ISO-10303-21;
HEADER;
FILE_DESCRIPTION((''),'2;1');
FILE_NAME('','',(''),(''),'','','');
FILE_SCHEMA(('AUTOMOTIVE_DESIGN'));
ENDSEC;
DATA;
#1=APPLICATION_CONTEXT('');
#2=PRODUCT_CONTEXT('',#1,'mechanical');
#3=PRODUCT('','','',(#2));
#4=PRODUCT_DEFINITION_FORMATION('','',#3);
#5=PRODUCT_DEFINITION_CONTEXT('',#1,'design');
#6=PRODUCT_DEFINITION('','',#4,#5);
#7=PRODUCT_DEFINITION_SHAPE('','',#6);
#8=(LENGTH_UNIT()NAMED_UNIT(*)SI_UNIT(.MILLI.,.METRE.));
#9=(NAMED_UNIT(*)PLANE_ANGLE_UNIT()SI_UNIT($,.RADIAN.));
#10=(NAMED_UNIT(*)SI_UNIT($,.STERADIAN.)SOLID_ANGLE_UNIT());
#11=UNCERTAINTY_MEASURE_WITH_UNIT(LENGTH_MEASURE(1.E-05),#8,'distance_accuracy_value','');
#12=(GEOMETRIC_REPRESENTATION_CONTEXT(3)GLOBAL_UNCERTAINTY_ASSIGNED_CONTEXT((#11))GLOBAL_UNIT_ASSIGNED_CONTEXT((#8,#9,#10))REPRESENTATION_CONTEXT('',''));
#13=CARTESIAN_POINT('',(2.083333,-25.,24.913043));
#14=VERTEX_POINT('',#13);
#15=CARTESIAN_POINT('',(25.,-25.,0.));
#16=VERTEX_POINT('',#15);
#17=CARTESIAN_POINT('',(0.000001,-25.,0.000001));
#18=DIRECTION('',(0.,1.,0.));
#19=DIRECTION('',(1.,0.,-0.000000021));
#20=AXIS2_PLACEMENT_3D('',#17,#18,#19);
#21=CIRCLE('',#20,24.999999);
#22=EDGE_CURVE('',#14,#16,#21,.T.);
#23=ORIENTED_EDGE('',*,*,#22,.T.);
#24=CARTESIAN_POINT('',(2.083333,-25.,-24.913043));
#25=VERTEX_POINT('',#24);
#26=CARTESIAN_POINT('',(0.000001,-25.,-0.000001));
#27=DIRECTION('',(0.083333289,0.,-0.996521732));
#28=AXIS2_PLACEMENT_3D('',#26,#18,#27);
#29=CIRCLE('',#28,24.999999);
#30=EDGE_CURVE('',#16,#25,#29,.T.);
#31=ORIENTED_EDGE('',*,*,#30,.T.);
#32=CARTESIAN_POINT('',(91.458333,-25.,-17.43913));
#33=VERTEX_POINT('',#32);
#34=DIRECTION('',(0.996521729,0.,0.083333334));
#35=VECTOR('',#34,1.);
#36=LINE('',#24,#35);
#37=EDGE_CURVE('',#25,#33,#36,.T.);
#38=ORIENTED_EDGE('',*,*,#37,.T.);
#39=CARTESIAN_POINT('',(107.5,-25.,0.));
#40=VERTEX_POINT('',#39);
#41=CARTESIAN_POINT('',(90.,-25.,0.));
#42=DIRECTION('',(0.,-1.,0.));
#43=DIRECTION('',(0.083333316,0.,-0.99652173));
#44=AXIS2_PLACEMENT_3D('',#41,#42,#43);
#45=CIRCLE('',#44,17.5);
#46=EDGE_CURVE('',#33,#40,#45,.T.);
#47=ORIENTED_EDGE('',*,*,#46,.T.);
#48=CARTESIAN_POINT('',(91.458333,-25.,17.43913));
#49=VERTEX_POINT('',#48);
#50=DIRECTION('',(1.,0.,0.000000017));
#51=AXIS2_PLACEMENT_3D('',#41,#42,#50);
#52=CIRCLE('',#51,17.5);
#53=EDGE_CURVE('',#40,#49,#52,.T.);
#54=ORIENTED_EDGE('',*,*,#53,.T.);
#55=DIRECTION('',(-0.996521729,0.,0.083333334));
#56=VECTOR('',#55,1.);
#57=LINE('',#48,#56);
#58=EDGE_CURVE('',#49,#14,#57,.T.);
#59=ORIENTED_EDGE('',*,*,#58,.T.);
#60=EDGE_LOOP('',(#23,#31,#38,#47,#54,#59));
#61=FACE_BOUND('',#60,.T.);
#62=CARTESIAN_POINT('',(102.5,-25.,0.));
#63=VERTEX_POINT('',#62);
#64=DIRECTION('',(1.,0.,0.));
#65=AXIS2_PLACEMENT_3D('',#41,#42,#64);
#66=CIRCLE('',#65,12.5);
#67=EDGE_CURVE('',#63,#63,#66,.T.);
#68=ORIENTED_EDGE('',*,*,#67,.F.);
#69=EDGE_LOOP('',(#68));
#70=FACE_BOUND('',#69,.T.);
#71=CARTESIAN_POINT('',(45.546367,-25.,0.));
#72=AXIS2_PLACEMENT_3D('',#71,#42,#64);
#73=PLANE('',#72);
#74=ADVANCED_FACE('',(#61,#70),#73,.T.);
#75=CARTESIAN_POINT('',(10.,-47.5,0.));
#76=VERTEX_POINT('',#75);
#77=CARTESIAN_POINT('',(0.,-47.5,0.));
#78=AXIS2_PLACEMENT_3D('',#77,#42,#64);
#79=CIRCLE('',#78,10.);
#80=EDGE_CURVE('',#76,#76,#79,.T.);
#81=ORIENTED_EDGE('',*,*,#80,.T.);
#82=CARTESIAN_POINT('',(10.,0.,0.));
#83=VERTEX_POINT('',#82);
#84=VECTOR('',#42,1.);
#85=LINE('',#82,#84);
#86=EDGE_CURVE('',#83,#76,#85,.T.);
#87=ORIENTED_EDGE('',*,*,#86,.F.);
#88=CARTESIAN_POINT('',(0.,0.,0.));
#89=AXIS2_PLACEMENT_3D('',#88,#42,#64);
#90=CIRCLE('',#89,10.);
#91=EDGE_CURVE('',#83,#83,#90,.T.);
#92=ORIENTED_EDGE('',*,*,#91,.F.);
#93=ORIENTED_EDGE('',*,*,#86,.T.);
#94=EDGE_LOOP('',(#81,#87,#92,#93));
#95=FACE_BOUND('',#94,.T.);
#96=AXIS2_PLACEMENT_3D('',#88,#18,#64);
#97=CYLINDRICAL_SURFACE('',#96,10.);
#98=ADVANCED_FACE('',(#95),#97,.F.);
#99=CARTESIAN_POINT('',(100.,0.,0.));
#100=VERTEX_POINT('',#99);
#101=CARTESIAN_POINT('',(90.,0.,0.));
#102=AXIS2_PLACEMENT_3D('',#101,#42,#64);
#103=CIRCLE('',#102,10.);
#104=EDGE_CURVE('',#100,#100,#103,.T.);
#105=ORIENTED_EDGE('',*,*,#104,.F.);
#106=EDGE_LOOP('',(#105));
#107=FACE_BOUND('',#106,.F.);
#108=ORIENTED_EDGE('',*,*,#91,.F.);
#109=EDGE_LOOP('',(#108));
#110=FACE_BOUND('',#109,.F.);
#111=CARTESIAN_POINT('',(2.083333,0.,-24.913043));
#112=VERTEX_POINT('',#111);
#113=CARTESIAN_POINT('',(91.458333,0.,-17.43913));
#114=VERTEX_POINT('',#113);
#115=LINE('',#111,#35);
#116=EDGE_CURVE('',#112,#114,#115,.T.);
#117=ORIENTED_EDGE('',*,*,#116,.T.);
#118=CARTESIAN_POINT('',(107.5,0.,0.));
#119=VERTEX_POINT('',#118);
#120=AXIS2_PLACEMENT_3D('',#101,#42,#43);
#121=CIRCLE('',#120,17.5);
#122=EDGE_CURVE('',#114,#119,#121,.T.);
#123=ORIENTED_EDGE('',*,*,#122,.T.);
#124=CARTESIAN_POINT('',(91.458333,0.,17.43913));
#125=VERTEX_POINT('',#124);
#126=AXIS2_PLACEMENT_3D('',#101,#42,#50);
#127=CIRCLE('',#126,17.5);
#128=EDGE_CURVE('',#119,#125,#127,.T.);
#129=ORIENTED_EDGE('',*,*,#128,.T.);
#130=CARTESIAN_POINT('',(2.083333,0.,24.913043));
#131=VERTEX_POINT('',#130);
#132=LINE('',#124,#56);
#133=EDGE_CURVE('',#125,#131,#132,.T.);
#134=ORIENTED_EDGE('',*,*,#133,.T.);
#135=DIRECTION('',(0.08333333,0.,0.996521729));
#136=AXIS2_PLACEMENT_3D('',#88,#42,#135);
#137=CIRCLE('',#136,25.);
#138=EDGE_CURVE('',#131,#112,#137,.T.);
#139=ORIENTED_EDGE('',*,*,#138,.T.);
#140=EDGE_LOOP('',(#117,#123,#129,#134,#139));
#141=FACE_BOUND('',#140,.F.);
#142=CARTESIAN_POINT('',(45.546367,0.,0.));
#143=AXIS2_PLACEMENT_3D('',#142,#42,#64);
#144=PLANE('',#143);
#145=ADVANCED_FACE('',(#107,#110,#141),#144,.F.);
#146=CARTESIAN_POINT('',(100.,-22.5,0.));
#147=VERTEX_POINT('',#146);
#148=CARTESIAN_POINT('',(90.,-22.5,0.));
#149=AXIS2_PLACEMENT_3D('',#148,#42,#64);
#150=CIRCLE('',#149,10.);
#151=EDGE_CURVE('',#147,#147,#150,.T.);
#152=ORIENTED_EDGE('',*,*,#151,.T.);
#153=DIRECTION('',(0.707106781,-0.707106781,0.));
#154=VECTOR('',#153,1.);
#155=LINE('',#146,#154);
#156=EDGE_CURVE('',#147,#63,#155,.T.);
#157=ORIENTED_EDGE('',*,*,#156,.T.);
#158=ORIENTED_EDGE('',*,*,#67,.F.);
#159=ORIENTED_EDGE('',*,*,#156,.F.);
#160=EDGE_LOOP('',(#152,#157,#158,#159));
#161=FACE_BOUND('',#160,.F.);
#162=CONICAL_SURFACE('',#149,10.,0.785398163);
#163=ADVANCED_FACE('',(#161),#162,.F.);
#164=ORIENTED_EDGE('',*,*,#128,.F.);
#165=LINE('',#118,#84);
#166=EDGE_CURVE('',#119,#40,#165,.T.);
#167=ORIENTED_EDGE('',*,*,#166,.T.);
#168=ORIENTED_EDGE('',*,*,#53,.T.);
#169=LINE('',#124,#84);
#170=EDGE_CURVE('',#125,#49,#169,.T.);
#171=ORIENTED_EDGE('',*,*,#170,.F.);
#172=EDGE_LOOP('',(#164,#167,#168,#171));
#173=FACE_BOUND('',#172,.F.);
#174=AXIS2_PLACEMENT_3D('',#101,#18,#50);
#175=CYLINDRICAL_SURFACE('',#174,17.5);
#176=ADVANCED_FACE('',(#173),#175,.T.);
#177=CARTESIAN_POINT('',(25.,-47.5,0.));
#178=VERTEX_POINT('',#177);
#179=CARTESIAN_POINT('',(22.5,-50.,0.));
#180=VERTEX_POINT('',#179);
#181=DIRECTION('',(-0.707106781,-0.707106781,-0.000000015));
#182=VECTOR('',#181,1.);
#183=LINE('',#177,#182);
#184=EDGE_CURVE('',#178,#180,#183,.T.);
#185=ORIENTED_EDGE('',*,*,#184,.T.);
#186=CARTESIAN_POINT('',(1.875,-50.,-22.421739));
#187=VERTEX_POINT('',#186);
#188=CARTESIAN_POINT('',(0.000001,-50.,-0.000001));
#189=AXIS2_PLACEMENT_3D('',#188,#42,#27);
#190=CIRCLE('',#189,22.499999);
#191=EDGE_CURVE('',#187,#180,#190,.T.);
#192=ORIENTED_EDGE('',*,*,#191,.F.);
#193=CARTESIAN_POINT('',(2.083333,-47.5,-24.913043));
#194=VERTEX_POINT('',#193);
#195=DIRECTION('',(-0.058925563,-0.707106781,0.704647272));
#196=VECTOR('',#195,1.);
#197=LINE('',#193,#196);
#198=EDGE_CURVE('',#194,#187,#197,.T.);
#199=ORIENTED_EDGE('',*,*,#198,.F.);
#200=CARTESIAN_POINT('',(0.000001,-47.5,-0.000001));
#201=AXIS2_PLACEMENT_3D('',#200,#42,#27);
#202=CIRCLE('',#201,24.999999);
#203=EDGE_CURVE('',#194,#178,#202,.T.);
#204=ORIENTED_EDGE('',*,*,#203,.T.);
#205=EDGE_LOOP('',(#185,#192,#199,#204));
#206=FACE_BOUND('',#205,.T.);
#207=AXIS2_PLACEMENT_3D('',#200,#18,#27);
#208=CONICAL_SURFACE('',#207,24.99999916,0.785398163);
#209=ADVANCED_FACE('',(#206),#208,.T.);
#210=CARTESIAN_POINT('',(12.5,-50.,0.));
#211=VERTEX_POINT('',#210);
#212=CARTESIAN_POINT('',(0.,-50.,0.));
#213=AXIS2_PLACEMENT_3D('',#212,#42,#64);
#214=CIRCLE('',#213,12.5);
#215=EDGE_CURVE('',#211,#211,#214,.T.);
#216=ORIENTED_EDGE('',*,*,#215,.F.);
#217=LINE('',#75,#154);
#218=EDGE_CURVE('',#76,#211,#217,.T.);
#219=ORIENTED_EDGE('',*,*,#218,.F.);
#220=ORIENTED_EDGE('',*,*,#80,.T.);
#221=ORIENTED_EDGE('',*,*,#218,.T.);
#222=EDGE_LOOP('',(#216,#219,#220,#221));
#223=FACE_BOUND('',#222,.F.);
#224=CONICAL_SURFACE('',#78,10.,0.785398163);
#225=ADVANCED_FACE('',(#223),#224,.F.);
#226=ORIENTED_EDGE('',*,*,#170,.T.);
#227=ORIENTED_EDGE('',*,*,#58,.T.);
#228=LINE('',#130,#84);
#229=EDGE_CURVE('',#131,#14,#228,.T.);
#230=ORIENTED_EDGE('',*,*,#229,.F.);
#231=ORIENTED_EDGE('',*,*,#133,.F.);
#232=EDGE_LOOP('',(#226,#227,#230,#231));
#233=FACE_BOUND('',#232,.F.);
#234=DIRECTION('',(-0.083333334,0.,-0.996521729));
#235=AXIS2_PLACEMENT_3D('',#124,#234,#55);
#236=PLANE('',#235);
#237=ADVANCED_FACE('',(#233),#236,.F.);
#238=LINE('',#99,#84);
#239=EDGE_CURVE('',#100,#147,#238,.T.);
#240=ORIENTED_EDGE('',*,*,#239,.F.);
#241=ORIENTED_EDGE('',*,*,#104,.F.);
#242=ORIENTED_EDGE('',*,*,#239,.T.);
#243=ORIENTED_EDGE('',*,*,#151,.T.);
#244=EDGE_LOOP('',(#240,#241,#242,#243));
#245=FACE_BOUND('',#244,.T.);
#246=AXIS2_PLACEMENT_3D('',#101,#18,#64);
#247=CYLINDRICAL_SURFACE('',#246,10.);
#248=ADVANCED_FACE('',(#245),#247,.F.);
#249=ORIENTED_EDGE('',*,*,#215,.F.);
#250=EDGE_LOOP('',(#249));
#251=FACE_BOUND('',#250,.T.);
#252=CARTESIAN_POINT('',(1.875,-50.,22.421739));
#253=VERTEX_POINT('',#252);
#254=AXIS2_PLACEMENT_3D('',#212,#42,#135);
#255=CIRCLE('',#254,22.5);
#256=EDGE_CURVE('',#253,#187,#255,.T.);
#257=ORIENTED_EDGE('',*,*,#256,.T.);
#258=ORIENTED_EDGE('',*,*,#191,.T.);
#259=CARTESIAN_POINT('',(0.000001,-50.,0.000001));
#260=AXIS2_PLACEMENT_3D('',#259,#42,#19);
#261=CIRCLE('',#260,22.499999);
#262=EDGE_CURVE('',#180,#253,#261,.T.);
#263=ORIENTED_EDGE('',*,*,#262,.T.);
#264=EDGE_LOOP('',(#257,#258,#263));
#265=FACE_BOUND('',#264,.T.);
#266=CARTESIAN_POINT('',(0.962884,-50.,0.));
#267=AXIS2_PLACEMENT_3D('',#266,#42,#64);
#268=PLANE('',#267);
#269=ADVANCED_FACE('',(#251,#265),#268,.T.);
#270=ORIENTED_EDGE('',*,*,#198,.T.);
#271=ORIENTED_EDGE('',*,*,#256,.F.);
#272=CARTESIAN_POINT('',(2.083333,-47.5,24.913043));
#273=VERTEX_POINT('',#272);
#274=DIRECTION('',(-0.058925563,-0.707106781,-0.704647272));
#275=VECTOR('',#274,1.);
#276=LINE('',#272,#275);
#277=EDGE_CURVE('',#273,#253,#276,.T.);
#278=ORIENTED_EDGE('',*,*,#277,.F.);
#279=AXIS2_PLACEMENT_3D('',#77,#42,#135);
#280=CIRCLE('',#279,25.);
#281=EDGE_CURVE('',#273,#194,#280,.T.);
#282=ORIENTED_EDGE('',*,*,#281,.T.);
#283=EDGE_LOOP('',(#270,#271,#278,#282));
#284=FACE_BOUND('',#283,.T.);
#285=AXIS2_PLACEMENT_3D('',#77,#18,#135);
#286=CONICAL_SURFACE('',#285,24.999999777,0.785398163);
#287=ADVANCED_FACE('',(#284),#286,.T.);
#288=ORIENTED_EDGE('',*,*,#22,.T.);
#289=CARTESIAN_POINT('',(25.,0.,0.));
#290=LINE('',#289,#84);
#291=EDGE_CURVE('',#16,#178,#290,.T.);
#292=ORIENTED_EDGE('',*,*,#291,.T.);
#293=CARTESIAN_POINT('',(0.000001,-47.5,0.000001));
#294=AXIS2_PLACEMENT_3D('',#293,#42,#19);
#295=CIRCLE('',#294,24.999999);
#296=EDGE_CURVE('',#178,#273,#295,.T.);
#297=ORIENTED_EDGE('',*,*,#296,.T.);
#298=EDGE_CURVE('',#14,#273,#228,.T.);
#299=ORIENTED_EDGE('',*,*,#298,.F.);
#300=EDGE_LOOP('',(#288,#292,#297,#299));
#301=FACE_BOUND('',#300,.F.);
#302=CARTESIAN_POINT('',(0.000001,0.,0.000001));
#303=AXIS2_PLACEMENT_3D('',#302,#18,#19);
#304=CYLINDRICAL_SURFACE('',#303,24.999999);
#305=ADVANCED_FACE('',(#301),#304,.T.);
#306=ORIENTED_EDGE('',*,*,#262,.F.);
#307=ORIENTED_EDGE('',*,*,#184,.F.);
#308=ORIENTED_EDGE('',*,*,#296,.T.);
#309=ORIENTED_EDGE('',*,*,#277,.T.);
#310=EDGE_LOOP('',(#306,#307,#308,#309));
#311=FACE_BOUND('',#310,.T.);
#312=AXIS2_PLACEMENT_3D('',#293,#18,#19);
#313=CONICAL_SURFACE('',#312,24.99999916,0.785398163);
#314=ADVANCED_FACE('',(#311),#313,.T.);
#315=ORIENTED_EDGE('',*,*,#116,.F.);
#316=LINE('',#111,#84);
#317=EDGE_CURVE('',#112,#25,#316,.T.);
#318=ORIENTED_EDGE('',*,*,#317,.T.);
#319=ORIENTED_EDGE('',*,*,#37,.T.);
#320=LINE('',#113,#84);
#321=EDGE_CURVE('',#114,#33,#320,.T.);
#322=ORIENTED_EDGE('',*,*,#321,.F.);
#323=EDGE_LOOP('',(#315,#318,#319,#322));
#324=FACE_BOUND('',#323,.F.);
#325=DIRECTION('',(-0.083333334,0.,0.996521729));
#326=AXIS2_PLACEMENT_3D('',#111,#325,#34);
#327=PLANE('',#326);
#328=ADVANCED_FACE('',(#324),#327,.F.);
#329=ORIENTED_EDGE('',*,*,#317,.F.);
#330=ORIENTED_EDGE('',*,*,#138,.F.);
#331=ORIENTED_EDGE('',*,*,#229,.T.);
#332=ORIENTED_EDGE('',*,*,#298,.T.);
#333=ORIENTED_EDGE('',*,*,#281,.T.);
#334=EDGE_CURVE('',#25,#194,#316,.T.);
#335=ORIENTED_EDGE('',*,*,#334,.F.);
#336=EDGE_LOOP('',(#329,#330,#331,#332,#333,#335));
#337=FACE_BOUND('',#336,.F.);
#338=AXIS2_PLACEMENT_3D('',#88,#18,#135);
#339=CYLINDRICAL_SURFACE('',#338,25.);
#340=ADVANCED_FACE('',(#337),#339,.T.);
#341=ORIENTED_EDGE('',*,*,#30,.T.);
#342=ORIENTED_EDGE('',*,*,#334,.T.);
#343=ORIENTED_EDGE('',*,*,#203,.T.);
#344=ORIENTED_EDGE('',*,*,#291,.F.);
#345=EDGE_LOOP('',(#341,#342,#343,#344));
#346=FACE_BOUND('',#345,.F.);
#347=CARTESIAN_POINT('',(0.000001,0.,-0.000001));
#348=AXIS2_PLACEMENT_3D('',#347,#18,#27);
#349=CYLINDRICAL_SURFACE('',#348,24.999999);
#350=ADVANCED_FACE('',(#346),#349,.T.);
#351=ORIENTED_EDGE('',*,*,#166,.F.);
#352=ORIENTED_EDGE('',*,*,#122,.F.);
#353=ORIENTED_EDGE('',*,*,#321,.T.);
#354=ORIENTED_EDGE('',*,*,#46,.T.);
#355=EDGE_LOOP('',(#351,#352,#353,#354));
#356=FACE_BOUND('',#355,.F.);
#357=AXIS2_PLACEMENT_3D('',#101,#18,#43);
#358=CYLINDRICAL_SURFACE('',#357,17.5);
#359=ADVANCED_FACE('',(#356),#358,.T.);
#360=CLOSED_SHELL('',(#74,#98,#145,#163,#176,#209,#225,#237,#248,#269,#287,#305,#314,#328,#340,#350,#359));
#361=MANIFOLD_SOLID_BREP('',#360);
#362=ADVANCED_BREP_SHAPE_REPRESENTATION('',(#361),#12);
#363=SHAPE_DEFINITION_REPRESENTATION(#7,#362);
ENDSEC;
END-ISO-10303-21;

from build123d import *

# Parameters (mm, degrees)
F0_R     = 10
F1_DEPTH = 25
F2_DEPTH = 50
F3_SIZE  = 2.5


with BuildPart() as f1:
    # F0 (on Front) → F1 (new body)
    with BuildSketch(Plane.XZ):
        with BuildLine():
            ThreePointArc((2.083333, 24.913043), (18.399502, 16.92508), (25, 0))
            ThreePointArc((25, 0), (18.399502, -16.92508), (2.083333, -24.913043))
            Line((2.083333, -24.913043), (91.458333, -17.43913))
            ThreePointArc((91.458333, -17.43913), (72.5, 0), (91.458333, 17.43913))
            Line((91.458333, 17.43913), (2.083333, 24.913043))
        make_face()
        with BuildLine():
            ThreePointArc((2.083333, -24.913043), (18.399502, -16.92508), (25, 0))
            ThreePointArc((25, 0), (18.399502, 16.92508), (2.083333, 24.913043))
            ThreePointArc((2.083333, 24.913043), (-25, 0), (2.083333, -24.913043))
        make_face()
        Circle(F0_R, mode=Mode.SUBTRACT)
        with BuildLine():
            ThreePointArc((107.5, 0), (102.879651, 11.847556), (91.458333, 17.43913))
            ThreePointArc((91.458333, 17.43913), (72.5, 0), (91.458333, -17.43913))
            ThreePointArc((91.458333, -17.43913), (102.879651, -11.847556), (107.5, 0))
        make_face()
        with Locations((90, 0)):
            Circle(F0_R, mode=Mode.SUBTRACT)
    extrude(amount=F1_DEPTH)

    # F0 (on Front) → F2 (join)
    with BuildSketch(Plane.XZ):
        with BuildLine():
            ThreePointArc((2.083333, -24.913043), (18.399502, -16.92508), (25, 0))
            ThreePointArc((25, 0), (18.399502, 16.92508), (2.083333, 24.913043))
            ThreePointArc((2.083333, 24.913043), (-25, 0), (2.083333, -24.913043))
        make_face()
        Circle(F0_R, mode=Mode.SUBTRACT)
    extrude(amount=F2_DEPTH)

    # F3
    f3_edges = [f1.edges().sort_by_distance(p)[0] for p in [
        (-2.083333, -50, 24.913043),
        (-10, -50, 0),
        (80, -25, 0),
    ]]
    chamfer(f3_edges, length=F3_SIZE)


solid = f1.part
